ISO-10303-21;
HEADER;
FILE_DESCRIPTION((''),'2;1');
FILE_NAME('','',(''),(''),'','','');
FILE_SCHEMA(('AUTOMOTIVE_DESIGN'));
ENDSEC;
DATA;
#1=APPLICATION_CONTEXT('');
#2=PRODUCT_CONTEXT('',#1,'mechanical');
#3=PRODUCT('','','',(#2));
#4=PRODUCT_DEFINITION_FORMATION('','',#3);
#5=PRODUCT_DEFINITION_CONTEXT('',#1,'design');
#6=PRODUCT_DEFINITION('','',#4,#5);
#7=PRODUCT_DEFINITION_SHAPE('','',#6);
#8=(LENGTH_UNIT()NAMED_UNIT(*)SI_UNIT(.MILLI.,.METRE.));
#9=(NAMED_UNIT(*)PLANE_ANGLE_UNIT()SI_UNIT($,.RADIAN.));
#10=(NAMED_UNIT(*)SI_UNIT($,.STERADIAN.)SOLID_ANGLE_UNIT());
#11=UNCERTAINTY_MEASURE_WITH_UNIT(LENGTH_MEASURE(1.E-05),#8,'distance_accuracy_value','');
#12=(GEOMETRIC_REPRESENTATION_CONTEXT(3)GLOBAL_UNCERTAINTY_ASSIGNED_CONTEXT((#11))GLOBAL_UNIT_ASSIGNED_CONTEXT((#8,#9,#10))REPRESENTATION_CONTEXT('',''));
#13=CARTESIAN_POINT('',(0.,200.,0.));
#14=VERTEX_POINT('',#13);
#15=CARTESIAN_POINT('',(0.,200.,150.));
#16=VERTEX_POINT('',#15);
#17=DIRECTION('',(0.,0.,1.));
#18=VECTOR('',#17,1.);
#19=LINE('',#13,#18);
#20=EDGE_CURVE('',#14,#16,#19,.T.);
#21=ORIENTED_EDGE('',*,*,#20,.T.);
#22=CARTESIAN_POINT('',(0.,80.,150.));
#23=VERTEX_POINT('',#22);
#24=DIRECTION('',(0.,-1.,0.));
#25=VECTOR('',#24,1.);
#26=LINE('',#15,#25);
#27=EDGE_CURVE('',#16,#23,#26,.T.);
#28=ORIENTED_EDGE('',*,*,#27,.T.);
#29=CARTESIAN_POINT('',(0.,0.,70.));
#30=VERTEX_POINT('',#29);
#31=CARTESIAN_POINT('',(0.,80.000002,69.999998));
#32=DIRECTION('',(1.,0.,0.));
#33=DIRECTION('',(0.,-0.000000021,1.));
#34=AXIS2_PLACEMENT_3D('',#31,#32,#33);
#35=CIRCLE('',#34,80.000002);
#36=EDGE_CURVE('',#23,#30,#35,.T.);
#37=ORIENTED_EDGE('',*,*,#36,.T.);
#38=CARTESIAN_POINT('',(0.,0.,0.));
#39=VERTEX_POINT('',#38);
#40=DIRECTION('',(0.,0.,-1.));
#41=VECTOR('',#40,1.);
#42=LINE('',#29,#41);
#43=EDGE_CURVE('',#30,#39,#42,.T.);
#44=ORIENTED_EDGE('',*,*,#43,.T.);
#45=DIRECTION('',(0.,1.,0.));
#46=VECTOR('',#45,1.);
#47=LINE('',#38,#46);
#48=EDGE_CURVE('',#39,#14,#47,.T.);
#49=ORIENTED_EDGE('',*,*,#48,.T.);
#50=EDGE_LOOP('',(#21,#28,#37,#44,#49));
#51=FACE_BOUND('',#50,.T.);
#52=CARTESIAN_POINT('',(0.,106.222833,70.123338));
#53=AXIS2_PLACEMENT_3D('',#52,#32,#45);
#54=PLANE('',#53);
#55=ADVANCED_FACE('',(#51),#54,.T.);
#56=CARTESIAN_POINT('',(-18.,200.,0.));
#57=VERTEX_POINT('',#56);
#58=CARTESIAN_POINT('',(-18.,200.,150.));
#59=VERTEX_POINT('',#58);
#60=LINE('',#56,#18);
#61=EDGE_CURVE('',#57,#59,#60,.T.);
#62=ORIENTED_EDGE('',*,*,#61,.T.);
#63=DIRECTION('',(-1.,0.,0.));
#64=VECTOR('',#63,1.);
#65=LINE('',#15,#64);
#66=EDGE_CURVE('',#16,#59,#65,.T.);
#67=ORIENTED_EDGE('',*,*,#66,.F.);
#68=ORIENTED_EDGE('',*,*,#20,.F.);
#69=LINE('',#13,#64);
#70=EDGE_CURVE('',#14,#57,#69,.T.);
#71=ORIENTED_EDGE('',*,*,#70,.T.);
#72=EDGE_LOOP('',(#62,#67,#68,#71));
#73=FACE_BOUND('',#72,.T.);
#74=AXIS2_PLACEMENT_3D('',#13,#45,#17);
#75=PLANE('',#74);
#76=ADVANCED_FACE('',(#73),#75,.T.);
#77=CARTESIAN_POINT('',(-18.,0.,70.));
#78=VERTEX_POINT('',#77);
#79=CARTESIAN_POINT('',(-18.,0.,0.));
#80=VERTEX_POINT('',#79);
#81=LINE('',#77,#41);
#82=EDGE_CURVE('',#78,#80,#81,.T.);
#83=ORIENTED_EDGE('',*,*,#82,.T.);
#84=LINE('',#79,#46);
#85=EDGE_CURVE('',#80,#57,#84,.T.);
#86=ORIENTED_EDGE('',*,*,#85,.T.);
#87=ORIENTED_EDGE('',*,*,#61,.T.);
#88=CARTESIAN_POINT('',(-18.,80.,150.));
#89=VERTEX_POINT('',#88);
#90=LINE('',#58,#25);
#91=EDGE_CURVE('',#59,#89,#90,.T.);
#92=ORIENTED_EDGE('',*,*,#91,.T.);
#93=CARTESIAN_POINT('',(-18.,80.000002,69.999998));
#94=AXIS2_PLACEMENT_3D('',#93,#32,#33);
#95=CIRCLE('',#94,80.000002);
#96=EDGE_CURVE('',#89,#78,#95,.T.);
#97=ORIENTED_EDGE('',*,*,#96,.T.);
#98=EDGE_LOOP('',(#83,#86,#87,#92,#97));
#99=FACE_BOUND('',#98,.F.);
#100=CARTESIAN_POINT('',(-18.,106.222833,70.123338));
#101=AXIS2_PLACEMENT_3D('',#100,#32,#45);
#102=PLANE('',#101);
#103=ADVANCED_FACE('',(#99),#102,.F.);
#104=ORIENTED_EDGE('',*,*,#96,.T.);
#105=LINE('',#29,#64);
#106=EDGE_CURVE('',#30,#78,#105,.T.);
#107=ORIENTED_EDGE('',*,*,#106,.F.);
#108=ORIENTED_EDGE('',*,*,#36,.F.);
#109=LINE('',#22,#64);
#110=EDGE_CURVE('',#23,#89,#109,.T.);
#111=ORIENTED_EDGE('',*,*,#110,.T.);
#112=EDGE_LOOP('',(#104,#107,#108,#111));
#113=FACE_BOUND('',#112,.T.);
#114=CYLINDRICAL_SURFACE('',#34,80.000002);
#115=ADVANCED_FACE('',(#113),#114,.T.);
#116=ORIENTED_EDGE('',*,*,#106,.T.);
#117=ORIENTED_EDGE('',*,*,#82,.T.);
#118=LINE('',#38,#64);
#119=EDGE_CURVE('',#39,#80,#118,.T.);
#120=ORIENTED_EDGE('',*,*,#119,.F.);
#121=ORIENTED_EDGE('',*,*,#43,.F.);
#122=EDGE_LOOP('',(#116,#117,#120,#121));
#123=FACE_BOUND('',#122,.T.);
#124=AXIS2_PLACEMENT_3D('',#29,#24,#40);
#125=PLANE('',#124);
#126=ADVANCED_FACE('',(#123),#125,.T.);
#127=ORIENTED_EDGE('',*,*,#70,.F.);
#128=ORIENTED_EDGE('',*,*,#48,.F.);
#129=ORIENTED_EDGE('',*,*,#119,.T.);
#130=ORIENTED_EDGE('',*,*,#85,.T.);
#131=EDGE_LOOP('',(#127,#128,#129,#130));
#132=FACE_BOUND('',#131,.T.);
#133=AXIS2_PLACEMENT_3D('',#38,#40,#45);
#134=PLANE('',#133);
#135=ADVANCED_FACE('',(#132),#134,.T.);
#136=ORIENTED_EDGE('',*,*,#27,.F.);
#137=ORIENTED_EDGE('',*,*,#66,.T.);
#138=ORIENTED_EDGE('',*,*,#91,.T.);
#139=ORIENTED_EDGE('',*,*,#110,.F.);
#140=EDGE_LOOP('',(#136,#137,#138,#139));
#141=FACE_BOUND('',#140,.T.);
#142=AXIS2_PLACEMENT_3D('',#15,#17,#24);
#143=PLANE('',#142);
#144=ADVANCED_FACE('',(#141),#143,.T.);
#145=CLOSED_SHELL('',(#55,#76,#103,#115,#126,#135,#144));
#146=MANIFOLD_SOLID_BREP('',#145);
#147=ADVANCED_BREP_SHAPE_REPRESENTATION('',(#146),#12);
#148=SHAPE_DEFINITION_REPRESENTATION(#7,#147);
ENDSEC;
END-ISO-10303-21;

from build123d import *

# Parameters (mm, degrees)
F1_DEPTH = 18


with BuildPart() as f1:
    # F0 (on Right) → F1 (new body)
    with BuildSketch(Plane.YZ):
        with BuildLine():
            Line((0, 70), (0, 0))
            Line((0, 0), (200, 0))
            Line((200, 0), (200, 150))
            Line((200, 150), (80, 150))
            ThreePointArc((80, 150), (23.431458, 126.568542), (0, 70))
        make_face()
    extrude(amount=-F1_DEPTH)


solid = f1.part
